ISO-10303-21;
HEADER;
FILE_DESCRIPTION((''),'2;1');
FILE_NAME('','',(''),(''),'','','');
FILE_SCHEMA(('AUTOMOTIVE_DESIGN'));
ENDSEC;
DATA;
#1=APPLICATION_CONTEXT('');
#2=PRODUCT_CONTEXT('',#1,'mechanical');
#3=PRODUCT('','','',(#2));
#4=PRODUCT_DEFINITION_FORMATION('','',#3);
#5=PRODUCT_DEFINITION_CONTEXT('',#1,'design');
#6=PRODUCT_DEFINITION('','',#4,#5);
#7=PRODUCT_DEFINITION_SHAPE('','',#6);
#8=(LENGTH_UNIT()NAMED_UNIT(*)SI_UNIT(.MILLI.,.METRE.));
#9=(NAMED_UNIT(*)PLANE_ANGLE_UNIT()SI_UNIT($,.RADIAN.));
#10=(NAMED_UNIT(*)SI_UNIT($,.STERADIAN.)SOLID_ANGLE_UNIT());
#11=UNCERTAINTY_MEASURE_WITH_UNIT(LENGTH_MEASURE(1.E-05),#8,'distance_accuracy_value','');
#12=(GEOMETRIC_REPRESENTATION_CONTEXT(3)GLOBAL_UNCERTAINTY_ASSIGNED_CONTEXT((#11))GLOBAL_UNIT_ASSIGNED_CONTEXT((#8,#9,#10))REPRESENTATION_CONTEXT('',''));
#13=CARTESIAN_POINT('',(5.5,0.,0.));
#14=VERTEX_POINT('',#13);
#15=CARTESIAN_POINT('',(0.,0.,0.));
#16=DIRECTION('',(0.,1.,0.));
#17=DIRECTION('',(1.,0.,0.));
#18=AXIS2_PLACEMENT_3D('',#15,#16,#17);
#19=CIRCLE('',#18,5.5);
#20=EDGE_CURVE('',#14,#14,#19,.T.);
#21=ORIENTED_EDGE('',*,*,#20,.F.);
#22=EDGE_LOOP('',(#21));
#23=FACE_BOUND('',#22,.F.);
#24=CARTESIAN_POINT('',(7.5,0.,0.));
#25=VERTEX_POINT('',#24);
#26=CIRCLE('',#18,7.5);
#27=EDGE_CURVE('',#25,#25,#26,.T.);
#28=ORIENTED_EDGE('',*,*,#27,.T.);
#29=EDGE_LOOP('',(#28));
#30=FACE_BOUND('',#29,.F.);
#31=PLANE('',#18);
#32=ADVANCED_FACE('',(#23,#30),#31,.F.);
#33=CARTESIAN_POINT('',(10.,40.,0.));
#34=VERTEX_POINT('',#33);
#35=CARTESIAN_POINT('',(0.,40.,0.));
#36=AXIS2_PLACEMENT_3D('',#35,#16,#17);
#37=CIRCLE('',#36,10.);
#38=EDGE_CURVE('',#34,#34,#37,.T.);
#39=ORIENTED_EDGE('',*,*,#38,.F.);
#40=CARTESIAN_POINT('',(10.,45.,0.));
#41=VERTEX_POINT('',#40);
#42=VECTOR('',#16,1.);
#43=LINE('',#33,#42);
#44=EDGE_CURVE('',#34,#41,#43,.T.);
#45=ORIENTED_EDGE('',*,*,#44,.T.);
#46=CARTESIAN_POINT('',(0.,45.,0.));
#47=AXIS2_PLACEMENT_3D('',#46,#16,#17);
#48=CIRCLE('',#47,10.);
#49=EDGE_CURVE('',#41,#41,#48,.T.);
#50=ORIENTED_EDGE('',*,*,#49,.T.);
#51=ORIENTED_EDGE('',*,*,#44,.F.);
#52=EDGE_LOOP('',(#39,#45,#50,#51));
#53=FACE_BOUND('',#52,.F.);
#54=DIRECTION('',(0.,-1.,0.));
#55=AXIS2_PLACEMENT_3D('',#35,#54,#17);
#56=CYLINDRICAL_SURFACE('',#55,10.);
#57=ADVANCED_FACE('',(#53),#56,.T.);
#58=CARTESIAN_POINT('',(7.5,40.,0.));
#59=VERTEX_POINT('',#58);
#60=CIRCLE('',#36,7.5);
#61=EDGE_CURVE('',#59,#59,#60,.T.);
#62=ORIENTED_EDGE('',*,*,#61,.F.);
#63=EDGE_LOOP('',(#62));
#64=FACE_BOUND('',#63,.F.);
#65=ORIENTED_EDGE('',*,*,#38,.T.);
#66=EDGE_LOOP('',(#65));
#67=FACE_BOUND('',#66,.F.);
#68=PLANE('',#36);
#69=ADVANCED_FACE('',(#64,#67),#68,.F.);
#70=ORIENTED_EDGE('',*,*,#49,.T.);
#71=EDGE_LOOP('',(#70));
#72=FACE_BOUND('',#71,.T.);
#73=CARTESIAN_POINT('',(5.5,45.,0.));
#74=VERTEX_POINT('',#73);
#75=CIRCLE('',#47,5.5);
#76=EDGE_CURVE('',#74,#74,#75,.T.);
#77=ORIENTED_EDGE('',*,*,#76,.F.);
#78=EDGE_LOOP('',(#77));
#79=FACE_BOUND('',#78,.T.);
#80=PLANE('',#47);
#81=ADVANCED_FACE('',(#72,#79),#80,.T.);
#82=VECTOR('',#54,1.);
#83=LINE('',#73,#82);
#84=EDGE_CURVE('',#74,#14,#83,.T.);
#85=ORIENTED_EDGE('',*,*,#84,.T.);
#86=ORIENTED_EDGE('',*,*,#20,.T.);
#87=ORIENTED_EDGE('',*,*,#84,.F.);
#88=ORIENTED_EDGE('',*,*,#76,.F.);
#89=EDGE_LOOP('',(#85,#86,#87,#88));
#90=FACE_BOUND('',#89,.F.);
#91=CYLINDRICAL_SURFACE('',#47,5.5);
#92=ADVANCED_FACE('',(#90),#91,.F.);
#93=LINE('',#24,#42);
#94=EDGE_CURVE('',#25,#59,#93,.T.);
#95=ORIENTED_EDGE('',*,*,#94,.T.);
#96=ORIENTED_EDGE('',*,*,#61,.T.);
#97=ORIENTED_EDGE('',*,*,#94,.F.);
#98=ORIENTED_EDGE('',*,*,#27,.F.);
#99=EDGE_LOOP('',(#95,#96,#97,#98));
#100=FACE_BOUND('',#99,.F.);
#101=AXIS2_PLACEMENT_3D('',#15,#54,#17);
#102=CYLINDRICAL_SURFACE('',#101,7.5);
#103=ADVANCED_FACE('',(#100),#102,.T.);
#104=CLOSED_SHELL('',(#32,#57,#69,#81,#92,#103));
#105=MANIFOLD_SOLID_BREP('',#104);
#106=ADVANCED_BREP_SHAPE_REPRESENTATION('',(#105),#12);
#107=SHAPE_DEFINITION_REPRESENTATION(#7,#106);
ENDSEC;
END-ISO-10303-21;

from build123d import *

# Parameters (mm, degrees)
SKETCH1_R           = 7.5
BOSS_EXTRUDE1_DEPTH = 40
SKETCH2_R           = 10
BOSS_EXTRUDE2_DEPTH = 5
CUT_EXTRUDE1_REACH  = 47
SKETCH3_R           = 5.5


with BuildPart() as part:
    # Sketch1 → Boss-Extrude1 (new body)
    with BuildSketch(Plane(origin=(0, 0, 0), x_dir=(1, 0, 0), z_dir=(0, 1, 0))):
        Circle(SKETCH1_R)
    extrude(amount=BOSS_EXTRUDE1_DEPTH)

    # Sketch2 → Boss-Extrude2 (add)
    with BuildSketch(Plane(origin=(0, 40, 0), x_dir=(1, 0, 0), z_dir=(0, 1, 0))):
        Circle(SKETCH2_R)
    extrude(amount=BOSS_EXTRUDE2_DEPTH)

    # Sketch3 → Cut-Extrude1 (cut, up to next)
    with BuildSketch(Plane(origin=(0, 45, 0), x_dir=(1, 0, 0), z_dir=(0, 1, 0)), mode=Mode.PRIVATE) as cut_extrude1_sk1:
        Circle(SKETCH3_R)
    cut_extrude1_tool1 = extrude(cut_extrude1_sk1.sketch, amount=-CUT_EXTRUDE1_REACH, mode=Mode.PRIVATE) & part.part
    add(cut_extrude1_tool1.solids().sort_by_distance((0, 45, 0))[0], mode=Mode.SUBTRACT)


solid = part.part
